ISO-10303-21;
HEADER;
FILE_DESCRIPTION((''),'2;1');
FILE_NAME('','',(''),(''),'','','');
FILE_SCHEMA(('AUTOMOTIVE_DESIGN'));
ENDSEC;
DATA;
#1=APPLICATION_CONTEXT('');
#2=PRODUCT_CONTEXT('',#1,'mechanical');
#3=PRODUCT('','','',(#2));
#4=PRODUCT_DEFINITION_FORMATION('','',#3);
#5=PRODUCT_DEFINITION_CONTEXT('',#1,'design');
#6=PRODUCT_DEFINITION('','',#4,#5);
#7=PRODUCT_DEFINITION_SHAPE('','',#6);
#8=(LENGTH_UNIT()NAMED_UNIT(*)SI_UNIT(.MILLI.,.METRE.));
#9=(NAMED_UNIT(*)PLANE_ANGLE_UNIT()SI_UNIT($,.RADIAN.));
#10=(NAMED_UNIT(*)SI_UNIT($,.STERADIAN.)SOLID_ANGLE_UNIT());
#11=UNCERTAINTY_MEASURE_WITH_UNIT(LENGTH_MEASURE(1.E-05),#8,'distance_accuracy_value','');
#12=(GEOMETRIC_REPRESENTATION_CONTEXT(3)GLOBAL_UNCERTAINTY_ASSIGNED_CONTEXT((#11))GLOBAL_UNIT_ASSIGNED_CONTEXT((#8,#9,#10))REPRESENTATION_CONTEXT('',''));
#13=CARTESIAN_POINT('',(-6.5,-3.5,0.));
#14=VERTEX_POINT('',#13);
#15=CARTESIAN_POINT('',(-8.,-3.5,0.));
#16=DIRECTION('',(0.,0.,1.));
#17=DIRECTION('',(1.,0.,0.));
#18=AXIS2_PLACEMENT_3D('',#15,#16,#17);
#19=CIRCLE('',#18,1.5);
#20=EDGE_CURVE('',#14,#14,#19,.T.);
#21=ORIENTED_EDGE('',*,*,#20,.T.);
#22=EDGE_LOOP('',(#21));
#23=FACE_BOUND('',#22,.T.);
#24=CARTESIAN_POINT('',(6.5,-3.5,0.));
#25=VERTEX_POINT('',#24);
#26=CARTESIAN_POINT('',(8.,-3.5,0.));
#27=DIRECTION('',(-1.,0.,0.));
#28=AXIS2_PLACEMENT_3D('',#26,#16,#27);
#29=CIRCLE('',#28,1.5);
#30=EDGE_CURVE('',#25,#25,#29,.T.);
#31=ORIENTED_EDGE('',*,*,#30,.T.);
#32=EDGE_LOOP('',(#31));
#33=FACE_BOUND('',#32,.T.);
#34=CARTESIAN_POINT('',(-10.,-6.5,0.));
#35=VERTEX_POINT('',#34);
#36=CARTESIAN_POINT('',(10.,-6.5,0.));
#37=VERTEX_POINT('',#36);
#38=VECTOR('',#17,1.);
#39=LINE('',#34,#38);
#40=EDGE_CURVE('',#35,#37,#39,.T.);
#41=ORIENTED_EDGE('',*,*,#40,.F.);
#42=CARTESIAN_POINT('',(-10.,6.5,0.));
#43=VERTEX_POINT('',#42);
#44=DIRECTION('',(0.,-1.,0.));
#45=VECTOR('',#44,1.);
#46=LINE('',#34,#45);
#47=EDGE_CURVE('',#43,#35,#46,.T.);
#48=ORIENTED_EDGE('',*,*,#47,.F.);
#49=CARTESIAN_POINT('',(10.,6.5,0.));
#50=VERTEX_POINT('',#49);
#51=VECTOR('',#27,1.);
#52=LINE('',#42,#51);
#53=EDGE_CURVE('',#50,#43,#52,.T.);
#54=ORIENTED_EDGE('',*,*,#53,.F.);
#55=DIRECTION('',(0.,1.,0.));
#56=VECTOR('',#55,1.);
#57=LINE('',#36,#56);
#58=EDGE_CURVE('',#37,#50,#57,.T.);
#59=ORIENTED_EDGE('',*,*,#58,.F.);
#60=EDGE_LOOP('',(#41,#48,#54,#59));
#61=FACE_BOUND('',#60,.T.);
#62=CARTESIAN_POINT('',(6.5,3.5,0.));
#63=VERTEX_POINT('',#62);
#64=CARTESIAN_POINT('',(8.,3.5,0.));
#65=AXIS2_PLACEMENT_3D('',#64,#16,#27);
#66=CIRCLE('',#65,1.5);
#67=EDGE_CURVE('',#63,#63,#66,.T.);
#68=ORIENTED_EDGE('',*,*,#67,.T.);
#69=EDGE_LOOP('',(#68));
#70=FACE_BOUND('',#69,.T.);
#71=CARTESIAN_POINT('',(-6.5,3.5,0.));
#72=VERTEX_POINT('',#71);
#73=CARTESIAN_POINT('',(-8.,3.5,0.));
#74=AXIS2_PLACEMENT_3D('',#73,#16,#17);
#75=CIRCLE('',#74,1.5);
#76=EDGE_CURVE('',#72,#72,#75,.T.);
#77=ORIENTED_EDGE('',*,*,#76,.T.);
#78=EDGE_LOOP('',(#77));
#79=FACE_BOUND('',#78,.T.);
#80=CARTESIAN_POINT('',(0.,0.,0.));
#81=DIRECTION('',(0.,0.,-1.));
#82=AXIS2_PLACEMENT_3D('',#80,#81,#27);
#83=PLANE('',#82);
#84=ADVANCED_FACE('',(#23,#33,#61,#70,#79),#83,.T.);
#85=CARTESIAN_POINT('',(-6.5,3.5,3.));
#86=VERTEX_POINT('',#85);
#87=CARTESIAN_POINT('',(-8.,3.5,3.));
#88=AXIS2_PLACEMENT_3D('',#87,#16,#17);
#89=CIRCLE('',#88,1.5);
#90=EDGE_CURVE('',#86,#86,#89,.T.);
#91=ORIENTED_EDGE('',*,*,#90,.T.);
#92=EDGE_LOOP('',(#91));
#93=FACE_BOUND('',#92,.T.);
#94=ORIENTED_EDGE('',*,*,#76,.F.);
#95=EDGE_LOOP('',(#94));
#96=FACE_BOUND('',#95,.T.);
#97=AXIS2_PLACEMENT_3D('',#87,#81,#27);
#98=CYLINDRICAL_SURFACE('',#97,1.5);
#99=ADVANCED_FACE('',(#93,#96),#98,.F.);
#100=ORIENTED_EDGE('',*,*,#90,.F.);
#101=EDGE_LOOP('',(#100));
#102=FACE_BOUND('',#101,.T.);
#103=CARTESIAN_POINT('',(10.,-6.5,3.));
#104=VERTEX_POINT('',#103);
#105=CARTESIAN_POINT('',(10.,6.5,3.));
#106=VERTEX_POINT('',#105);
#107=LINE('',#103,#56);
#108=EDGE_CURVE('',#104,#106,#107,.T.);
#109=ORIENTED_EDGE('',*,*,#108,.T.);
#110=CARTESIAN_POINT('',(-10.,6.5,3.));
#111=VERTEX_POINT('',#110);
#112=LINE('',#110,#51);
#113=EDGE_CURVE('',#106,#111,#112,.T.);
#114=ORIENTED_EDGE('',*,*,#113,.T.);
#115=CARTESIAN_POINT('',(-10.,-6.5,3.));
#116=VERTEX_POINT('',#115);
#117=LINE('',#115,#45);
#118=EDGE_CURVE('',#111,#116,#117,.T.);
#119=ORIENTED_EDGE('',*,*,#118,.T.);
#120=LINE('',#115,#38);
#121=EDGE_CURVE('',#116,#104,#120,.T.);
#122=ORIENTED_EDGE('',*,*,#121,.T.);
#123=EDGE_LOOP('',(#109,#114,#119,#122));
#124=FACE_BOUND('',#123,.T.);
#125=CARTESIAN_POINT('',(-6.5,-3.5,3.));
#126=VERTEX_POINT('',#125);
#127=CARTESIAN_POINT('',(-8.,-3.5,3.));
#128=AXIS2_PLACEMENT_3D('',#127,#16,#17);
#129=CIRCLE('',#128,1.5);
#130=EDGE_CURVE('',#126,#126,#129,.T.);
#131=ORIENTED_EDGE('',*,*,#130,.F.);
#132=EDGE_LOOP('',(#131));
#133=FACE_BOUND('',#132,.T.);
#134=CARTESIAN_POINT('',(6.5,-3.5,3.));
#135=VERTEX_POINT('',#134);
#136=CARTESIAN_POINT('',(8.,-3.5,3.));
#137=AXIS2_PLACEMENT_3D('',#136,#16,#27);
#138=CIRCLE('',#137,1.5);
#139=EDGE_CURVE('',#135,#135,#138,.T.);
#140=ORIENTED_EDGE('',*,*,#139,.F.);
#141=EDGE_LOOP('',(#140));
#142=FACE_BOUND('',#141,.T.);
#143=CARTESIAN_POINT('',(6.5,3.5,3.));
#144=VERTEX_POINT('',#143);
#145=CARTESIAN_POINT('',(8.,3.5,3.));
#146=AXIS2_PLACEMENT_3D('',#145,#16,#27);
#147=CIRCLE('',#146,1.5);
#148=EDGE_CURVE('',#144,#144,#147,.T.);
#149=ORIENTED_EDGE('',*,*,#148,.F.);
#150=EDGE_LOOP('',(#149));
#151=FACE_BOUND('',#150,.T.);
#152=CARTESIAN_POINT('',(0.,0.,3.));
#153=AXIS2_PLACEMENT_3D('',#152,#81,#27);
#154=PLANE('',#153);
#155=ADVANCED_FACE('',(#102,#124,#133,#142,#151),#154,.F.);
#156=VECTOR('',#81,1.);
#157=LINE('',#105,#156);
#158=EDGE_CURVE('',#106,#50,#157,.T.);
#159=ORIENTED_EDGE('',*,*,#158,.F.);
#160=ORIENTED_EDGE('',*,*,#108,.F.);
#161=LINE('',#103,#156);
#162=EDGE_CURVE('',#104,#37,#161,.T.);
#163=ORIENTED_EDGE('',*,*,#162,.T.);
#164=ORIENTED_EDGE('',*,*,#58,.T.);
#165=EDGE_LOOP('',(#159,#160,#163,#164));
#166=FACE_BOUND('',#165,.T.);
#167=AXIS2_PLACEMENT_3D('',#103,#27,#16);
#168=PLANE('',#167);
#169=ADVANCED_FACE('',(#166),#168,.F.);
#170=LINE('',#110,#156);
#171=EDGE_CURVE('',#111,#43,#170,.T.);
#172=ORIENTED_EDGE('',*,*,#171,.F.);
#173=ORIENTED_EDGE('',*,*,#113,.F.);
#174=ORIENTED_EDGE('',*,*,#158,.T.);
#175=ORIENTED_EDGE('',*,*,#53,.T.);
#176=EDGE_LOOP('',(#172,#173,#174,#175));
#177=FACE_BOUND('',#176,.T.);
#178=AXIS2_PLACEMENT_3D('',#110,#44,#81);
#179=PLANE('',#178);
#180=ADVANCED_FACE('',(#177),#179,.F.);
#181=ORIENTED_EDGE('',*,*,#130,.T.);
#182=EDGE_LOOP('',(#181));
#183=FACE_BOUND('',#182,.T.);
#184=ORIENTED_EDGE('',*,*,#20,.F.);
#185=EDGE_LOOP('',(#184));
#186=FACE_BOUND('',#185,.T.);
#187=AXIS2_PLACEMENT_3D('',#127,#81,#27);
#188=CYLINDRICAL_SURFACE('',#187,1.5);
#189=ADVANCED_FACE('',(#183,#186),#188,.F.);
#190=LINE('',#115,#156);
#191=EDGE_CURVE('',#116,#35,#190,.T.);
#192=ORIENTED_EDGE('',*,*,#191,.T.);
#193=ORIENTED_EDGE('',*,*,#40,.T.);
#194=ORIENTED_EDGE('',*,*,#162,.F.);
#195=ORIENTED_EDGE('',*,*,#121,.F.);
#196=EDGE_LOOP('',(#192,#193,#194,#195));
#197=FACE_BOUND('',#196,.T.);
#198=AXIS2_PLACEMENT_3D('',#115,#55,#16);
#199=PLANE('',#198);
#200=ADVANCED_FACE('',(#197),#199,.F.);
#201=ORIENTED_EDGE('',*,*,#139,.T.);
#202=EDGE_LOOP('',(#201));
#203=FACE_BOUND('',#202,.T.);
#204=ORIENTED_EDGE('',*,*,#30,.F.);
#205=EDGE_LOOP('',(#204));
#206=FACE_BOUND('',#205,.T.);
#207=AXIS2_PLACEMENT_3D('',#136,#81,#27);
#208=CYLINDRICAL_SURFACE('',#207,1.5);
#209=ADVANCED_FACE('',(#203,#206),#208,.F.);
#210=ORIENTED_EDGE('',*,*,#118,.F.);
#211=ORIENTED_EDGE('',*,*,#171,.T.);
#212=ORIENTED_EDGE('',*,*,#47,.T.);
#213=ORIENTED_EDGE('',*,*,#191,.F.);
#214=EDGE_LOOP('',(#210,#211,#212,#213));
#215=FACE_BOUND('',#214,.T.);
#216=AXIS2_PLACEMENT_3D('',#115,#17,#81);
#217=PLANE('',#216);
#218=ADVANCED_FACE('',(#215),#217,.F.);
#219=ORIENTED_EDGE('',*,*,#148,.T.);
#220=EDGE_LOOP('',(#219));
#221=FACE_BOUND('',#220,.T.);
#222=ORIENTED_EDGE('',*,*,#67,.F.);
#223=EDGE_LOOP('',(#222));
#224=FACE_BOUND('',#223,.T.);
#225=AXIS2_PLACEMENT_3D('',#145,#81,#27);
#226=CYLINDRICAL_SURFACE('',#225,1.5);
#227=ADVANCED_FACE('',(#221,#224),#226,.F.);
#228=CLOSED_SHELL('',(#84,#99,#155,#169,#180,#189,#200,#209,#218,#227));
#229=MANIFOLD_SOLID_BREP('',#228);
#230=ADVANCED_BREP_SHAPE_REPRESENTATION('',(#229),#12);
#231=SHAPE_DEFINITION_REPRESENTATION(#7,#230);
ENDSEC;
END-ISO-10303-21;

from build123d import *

# Parameters (mm, degrees)
SZKIC1_W                    = 20
SZKIC1_H                    = 13
SZKIC1_R                    = 1.5
DODANIE_WYCI_GNI_CIE1_DEPTH = 3


with BuildPart() as part:
    # Szkic1 → Dodanie-wyciągnięcie1 (new body)
    with BuildSketch(Plane.XY):
        Rectangle(SZKIC1_W, SZKIC1_H)
        with Locations((-8, 3.5)):
            Circle(SZKIC1_R, mode=Mode.SUBTRACT)
        with Locations((-8, -3.5)):
            Circle(SZKIC1_R, mode=Mode.SUBTRACT)
        with Locations(Location((8, 3.5, 0), (0, 0, 180))):
            Circle(SZKIC1_R, mode=Mode.SUBTRACT)
        with Locations(Location((8, -3.5, 0), (0, 0, 180))):
            Circle(SZKIC1_R, mode=Mode.SUBTRACT)
    extrude(amount=DODANIE_WYCI_GNI_CIE1_DEPTH)


solid = part.part
